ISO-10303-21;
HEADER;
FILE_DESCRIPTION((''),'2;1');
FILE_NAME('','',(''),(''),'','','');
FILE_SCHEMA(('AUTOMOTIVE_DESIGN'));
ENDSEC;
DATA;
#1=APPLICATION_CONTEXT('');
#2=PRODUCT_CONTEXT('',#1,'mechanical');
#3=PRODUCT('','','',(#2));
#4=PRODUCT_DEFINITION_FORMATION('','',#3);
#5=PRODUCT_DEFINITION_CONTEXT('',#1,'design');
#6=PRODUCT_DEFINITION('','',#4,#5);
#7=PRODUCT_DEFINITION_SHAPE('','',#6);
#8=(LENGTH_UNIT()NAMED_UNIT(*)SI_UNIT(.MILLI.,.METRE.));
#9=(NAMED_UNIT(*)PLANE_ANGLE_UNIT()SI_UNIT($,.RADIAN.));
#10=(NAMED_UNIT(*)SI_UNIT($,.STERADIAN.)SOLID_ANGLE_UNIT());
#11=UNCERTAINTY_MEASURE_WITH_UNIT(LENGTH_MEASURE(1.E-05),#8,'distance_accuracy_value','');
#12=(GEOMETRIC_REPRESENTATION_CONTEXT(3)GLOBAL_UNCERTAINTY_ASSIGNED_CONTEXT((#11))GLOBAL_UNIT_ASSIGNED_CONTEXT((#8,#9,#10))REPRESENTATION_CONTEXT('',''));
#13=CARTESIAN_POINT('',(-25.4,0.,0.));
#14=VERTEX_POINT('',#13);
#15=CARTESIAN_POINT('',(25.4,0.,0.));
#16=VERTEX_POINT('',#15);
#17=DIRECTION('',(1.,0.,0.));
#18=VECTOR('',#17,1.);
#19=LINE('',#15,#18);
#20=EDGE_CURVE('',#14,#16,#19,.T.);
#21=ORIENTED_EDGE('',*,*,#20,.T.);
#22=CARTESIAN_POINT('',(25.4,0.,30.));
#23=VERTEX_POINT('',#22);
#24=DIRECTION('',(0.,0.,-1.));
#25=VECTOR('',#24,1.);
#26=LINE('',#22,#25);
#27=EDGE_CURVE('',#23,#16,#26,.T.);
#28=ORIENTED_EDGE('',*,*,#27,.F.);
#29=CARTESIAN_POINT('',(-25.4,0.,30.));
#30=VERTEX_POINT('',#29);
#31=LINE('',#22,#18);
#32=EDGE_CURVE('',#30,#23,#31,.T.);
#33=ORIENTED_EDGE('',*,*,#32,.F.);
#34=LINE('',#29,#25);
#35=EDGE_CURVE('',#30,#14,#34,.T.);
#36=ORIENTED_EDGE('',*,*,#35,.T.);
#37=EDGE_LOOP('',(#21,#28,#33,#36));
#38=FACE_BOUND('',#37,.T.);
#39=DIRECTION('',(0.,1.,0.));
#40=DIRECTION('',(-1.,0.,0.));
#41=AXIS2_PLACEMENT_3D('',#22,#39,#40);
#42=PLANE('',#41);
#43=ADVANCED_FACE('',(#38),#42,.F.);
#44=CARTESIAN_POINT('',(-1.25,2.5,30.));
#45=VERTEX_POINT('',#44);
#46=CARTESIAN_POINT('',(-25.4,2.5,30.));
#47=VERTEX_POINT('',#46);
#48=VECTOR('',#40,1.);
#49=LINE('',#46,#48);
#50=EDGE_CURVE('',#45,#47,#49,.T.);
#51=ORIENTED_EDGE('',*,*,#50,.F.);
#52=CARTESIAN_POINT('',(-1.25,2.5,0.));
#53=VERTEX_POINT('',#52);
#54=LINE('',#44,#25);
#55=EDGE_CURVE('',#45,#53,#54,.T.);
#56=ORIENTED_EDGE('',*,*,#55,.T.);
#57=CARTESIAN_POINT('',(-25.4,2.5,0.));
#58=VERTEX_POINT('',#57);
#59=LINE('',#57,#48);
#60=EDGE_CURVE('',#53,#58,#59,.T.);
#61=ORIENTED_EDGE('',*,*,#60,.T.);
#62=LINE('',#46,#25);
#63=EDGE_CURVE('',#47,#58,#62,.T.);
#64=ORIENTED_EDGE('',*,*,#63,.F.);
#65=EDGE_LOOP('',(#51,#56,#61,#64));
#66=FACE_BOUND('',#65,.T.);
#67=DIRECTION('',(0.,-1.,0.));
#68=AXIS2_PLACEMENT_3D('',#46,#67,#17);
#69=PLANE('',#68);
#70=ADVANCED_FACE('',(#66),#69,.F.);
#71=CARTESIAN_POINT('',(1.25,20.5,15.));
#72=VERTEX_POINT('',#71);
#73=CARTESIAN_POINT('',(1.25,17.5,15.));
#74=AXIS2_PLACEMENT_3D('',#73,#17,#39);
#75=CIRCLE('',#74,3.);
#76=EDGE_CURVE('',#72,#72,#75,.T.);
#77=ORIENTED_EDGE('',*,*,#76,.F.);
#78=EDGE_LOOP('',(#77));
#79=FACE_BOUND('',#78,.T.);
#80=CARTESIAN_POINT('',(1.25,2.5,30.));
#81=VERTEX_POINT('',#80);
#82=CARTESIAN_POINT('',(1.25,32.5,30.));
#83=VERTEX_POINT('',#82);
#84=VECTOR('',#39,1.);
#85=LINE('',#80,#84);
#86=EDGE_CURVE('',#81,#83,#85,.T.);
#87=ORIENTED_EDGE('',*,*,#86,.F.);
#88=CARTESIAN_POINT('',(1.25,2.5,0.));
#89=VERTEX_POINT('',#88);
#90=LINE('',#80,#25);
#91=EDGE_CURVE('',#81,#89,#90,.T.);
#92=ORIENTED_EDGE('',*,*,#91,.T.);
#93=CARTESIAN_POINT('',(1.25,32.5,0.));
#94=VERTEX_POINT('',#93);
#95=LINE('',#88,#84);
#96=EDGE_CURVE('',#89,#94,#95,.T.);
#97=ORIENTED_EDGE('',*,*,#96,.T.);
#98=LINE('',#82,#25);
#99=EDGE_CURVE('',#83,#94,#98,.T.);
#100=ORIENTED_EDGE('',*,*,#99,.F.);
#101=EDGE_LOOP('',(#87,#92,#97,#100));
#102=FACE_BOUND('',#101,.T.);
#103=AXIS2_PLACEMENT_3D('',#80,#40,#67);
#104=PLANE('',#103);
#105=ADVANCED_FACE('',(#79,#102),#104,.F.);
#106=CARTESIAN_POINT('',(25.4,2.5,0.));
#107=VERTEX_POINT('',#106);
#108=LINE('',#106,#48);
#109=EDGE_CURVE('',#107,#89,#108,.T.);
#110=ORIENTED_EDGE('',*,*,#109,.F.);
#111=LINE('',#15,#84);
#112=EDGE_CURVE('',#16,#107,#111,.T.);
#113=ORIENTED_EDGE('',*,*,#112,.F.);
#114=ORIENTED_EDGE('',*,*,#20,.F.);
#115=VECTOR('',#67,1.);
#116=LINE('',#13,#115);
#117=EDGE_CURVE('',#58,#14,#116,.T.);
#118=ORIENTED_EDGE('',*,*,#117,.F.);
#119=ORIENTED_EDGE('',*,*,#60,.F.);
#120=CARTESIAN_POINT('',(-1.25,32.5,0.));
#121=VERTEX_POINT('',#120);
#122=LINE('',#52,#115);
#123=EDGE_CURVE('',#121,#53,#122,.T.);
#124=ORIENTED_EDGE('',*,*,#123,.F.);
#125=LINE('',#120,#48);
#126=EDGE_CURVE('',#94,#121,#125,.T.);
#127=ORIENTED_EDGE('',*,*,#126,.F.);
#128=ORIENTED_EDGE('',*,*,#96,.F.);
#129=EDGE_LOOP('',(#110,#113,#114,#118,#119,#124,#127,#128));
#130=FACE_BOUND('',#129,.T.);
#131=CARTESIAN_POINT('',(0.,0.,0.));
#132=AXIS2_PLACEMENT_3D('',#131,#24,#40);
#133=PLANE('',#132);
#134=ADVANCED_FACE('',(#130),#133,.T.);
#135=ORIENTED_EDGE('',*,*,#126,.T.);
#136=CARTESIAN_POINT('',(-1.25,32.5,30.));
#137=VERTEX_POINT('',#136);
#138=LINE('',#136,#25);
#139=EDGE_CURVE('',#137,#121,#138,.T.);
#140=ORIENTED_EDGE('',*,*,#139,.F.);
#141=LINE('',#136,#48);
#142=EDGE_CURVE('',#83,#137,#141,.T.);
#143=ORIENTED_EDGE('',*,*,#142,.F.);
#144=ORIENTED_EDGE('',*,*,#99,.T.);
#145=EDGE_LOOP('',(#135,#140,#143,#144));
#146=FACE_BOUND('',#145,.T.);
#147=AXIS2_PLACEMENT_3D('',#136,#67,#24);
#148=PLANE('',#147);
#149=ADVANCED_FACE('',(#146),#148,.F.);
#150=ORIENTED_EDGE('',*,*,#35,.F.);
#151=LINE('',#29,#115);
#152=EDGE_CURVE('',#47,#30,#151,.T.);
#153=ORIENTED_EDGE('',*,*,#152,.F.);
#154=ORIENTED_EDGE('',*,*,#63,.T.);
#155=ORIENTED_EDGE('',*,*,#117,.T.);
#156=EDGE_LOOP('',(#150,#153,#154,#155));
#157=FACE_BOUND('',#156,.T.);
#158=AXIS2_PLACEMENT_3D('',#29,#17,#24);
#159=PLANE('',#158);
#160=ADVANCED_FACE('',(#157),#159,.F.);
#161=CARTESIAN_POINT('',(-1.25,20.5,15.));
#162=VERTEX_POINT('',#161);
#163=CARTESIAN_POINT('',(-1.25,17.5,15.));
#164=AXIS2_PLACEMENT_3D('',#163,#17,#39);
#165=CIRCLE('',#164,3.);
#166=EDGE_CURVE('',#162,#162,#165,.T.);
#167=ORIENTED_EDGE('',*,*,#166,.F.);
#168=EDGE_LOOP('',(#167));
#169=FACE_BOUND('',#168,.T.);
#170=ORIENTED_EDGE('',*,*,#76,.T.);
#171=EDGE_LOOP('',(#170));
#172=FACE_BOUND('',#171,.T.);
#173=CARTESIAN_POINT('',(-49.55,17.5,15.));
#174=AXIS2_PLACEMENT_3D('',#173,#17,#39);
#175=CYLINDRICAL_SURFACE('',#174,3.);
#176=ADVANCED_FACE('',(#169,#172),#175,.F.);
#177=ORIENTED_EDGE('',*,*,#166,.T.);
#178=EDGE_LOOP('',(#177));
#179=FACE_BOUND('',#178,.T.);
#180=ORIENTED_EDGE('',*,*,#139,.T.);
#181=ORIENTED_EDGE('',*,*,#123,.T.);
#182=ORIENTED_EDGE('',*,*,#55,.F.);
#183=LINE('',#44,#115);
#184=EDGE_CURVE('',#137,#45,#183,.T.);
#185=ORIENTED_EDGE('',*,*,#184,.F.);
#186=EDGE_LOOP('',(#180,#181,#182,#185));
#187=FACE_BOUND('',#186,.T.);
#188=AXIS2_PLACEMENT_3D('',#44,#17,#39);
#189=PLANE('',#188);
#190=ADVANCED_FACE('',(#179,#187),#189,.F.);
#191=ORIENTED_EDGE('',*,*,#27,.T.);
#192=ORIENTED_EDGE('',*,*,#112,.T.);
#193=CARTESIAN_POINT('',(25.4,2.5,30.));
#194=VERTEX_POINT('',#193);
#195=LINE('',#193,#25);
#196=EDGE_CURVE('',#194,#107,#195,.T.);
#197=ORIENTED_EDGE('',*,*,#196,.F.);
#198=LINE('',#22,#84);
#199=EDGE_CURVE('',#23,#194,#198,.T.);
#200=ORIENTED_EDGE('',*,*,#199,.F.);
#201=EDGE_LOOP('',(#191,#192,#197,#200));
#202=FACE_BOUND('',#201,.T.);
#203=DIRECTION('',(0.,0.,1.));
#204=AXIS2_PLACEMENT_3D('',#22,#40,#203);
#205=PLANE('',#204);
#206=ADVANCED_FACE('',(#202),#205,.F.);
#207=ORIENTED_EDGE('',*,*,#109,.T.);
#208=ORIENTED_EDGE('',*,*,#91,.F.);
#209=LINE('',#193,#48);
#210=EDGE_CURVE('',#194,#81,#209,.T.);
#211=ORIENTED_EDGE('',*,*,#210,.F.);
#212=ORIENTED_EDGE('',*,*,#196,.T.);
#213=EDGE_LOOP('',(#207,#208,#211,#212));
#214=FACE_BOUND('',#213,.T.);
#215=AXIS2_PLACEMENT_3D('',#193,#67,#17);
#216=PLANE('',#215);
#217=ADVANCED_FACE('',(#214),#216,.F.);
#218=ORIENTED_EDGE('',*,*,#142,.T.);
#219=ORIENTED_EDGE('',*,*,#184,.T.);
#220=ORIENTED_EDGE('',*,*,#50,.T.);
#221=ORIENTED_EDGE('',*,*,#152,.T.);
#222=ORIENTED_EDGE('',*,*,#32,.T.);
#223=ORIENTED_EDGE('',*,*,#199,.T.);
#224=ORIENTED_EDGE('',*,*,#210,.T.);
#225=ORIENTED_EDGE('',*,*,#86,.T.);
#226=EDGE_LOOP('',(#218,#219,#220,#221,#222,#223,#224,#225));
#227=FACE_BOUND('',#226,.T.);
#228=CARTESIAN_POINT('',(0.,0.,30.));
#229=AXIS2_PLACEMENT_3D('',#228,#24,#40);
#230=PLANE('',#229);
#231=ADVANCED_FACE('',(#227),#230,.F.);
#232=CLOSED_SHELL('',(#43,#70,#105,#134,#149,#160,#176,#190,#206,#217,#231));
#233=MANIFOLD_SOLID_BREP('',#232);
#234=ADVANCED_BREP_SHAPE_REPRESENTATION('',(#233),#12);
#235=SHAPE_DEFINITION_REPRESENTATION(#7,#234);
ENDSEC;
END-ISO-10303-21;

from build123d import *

# Parameters (mm, degrees)
EXTRUDE_1_DEPTH     = 30
SKETCH_2_R          = 3
CUT_EXTRUDE_1_DEPTH = 50.8


with BuildPart() as part:
    # 草图1 → 凸台-拉伸1 (new body)
    with BuildSketch(Plane.XY):
        Polygon((25.4, 0), (-25.4, 0), (-25.4, 2.5), (-1.25, 2.5), (-1.25, 32.5), (1.25, 32.5), (1.25, 2.5), (25.4, 2.5), align=None)
    extrude(amount=EXTRUDE_1_DEPTH)

    # 草图2 → 切除-拉伸1 (cut)
    with BuildSketch(Plane(origin=(1.25, 0, 0), x_dir=(0, 0, -1), z_dir=(1, 0, 0))):
        with Locations(Location((-15, 17.5, 0), (0, 0, 90))):
            Circle(SKETCH_2_R)
    extrude(amount=-CUT_EXTRUDE_1_DEPTH, mode=Mode.SUBTRACT)


solid = part.part
